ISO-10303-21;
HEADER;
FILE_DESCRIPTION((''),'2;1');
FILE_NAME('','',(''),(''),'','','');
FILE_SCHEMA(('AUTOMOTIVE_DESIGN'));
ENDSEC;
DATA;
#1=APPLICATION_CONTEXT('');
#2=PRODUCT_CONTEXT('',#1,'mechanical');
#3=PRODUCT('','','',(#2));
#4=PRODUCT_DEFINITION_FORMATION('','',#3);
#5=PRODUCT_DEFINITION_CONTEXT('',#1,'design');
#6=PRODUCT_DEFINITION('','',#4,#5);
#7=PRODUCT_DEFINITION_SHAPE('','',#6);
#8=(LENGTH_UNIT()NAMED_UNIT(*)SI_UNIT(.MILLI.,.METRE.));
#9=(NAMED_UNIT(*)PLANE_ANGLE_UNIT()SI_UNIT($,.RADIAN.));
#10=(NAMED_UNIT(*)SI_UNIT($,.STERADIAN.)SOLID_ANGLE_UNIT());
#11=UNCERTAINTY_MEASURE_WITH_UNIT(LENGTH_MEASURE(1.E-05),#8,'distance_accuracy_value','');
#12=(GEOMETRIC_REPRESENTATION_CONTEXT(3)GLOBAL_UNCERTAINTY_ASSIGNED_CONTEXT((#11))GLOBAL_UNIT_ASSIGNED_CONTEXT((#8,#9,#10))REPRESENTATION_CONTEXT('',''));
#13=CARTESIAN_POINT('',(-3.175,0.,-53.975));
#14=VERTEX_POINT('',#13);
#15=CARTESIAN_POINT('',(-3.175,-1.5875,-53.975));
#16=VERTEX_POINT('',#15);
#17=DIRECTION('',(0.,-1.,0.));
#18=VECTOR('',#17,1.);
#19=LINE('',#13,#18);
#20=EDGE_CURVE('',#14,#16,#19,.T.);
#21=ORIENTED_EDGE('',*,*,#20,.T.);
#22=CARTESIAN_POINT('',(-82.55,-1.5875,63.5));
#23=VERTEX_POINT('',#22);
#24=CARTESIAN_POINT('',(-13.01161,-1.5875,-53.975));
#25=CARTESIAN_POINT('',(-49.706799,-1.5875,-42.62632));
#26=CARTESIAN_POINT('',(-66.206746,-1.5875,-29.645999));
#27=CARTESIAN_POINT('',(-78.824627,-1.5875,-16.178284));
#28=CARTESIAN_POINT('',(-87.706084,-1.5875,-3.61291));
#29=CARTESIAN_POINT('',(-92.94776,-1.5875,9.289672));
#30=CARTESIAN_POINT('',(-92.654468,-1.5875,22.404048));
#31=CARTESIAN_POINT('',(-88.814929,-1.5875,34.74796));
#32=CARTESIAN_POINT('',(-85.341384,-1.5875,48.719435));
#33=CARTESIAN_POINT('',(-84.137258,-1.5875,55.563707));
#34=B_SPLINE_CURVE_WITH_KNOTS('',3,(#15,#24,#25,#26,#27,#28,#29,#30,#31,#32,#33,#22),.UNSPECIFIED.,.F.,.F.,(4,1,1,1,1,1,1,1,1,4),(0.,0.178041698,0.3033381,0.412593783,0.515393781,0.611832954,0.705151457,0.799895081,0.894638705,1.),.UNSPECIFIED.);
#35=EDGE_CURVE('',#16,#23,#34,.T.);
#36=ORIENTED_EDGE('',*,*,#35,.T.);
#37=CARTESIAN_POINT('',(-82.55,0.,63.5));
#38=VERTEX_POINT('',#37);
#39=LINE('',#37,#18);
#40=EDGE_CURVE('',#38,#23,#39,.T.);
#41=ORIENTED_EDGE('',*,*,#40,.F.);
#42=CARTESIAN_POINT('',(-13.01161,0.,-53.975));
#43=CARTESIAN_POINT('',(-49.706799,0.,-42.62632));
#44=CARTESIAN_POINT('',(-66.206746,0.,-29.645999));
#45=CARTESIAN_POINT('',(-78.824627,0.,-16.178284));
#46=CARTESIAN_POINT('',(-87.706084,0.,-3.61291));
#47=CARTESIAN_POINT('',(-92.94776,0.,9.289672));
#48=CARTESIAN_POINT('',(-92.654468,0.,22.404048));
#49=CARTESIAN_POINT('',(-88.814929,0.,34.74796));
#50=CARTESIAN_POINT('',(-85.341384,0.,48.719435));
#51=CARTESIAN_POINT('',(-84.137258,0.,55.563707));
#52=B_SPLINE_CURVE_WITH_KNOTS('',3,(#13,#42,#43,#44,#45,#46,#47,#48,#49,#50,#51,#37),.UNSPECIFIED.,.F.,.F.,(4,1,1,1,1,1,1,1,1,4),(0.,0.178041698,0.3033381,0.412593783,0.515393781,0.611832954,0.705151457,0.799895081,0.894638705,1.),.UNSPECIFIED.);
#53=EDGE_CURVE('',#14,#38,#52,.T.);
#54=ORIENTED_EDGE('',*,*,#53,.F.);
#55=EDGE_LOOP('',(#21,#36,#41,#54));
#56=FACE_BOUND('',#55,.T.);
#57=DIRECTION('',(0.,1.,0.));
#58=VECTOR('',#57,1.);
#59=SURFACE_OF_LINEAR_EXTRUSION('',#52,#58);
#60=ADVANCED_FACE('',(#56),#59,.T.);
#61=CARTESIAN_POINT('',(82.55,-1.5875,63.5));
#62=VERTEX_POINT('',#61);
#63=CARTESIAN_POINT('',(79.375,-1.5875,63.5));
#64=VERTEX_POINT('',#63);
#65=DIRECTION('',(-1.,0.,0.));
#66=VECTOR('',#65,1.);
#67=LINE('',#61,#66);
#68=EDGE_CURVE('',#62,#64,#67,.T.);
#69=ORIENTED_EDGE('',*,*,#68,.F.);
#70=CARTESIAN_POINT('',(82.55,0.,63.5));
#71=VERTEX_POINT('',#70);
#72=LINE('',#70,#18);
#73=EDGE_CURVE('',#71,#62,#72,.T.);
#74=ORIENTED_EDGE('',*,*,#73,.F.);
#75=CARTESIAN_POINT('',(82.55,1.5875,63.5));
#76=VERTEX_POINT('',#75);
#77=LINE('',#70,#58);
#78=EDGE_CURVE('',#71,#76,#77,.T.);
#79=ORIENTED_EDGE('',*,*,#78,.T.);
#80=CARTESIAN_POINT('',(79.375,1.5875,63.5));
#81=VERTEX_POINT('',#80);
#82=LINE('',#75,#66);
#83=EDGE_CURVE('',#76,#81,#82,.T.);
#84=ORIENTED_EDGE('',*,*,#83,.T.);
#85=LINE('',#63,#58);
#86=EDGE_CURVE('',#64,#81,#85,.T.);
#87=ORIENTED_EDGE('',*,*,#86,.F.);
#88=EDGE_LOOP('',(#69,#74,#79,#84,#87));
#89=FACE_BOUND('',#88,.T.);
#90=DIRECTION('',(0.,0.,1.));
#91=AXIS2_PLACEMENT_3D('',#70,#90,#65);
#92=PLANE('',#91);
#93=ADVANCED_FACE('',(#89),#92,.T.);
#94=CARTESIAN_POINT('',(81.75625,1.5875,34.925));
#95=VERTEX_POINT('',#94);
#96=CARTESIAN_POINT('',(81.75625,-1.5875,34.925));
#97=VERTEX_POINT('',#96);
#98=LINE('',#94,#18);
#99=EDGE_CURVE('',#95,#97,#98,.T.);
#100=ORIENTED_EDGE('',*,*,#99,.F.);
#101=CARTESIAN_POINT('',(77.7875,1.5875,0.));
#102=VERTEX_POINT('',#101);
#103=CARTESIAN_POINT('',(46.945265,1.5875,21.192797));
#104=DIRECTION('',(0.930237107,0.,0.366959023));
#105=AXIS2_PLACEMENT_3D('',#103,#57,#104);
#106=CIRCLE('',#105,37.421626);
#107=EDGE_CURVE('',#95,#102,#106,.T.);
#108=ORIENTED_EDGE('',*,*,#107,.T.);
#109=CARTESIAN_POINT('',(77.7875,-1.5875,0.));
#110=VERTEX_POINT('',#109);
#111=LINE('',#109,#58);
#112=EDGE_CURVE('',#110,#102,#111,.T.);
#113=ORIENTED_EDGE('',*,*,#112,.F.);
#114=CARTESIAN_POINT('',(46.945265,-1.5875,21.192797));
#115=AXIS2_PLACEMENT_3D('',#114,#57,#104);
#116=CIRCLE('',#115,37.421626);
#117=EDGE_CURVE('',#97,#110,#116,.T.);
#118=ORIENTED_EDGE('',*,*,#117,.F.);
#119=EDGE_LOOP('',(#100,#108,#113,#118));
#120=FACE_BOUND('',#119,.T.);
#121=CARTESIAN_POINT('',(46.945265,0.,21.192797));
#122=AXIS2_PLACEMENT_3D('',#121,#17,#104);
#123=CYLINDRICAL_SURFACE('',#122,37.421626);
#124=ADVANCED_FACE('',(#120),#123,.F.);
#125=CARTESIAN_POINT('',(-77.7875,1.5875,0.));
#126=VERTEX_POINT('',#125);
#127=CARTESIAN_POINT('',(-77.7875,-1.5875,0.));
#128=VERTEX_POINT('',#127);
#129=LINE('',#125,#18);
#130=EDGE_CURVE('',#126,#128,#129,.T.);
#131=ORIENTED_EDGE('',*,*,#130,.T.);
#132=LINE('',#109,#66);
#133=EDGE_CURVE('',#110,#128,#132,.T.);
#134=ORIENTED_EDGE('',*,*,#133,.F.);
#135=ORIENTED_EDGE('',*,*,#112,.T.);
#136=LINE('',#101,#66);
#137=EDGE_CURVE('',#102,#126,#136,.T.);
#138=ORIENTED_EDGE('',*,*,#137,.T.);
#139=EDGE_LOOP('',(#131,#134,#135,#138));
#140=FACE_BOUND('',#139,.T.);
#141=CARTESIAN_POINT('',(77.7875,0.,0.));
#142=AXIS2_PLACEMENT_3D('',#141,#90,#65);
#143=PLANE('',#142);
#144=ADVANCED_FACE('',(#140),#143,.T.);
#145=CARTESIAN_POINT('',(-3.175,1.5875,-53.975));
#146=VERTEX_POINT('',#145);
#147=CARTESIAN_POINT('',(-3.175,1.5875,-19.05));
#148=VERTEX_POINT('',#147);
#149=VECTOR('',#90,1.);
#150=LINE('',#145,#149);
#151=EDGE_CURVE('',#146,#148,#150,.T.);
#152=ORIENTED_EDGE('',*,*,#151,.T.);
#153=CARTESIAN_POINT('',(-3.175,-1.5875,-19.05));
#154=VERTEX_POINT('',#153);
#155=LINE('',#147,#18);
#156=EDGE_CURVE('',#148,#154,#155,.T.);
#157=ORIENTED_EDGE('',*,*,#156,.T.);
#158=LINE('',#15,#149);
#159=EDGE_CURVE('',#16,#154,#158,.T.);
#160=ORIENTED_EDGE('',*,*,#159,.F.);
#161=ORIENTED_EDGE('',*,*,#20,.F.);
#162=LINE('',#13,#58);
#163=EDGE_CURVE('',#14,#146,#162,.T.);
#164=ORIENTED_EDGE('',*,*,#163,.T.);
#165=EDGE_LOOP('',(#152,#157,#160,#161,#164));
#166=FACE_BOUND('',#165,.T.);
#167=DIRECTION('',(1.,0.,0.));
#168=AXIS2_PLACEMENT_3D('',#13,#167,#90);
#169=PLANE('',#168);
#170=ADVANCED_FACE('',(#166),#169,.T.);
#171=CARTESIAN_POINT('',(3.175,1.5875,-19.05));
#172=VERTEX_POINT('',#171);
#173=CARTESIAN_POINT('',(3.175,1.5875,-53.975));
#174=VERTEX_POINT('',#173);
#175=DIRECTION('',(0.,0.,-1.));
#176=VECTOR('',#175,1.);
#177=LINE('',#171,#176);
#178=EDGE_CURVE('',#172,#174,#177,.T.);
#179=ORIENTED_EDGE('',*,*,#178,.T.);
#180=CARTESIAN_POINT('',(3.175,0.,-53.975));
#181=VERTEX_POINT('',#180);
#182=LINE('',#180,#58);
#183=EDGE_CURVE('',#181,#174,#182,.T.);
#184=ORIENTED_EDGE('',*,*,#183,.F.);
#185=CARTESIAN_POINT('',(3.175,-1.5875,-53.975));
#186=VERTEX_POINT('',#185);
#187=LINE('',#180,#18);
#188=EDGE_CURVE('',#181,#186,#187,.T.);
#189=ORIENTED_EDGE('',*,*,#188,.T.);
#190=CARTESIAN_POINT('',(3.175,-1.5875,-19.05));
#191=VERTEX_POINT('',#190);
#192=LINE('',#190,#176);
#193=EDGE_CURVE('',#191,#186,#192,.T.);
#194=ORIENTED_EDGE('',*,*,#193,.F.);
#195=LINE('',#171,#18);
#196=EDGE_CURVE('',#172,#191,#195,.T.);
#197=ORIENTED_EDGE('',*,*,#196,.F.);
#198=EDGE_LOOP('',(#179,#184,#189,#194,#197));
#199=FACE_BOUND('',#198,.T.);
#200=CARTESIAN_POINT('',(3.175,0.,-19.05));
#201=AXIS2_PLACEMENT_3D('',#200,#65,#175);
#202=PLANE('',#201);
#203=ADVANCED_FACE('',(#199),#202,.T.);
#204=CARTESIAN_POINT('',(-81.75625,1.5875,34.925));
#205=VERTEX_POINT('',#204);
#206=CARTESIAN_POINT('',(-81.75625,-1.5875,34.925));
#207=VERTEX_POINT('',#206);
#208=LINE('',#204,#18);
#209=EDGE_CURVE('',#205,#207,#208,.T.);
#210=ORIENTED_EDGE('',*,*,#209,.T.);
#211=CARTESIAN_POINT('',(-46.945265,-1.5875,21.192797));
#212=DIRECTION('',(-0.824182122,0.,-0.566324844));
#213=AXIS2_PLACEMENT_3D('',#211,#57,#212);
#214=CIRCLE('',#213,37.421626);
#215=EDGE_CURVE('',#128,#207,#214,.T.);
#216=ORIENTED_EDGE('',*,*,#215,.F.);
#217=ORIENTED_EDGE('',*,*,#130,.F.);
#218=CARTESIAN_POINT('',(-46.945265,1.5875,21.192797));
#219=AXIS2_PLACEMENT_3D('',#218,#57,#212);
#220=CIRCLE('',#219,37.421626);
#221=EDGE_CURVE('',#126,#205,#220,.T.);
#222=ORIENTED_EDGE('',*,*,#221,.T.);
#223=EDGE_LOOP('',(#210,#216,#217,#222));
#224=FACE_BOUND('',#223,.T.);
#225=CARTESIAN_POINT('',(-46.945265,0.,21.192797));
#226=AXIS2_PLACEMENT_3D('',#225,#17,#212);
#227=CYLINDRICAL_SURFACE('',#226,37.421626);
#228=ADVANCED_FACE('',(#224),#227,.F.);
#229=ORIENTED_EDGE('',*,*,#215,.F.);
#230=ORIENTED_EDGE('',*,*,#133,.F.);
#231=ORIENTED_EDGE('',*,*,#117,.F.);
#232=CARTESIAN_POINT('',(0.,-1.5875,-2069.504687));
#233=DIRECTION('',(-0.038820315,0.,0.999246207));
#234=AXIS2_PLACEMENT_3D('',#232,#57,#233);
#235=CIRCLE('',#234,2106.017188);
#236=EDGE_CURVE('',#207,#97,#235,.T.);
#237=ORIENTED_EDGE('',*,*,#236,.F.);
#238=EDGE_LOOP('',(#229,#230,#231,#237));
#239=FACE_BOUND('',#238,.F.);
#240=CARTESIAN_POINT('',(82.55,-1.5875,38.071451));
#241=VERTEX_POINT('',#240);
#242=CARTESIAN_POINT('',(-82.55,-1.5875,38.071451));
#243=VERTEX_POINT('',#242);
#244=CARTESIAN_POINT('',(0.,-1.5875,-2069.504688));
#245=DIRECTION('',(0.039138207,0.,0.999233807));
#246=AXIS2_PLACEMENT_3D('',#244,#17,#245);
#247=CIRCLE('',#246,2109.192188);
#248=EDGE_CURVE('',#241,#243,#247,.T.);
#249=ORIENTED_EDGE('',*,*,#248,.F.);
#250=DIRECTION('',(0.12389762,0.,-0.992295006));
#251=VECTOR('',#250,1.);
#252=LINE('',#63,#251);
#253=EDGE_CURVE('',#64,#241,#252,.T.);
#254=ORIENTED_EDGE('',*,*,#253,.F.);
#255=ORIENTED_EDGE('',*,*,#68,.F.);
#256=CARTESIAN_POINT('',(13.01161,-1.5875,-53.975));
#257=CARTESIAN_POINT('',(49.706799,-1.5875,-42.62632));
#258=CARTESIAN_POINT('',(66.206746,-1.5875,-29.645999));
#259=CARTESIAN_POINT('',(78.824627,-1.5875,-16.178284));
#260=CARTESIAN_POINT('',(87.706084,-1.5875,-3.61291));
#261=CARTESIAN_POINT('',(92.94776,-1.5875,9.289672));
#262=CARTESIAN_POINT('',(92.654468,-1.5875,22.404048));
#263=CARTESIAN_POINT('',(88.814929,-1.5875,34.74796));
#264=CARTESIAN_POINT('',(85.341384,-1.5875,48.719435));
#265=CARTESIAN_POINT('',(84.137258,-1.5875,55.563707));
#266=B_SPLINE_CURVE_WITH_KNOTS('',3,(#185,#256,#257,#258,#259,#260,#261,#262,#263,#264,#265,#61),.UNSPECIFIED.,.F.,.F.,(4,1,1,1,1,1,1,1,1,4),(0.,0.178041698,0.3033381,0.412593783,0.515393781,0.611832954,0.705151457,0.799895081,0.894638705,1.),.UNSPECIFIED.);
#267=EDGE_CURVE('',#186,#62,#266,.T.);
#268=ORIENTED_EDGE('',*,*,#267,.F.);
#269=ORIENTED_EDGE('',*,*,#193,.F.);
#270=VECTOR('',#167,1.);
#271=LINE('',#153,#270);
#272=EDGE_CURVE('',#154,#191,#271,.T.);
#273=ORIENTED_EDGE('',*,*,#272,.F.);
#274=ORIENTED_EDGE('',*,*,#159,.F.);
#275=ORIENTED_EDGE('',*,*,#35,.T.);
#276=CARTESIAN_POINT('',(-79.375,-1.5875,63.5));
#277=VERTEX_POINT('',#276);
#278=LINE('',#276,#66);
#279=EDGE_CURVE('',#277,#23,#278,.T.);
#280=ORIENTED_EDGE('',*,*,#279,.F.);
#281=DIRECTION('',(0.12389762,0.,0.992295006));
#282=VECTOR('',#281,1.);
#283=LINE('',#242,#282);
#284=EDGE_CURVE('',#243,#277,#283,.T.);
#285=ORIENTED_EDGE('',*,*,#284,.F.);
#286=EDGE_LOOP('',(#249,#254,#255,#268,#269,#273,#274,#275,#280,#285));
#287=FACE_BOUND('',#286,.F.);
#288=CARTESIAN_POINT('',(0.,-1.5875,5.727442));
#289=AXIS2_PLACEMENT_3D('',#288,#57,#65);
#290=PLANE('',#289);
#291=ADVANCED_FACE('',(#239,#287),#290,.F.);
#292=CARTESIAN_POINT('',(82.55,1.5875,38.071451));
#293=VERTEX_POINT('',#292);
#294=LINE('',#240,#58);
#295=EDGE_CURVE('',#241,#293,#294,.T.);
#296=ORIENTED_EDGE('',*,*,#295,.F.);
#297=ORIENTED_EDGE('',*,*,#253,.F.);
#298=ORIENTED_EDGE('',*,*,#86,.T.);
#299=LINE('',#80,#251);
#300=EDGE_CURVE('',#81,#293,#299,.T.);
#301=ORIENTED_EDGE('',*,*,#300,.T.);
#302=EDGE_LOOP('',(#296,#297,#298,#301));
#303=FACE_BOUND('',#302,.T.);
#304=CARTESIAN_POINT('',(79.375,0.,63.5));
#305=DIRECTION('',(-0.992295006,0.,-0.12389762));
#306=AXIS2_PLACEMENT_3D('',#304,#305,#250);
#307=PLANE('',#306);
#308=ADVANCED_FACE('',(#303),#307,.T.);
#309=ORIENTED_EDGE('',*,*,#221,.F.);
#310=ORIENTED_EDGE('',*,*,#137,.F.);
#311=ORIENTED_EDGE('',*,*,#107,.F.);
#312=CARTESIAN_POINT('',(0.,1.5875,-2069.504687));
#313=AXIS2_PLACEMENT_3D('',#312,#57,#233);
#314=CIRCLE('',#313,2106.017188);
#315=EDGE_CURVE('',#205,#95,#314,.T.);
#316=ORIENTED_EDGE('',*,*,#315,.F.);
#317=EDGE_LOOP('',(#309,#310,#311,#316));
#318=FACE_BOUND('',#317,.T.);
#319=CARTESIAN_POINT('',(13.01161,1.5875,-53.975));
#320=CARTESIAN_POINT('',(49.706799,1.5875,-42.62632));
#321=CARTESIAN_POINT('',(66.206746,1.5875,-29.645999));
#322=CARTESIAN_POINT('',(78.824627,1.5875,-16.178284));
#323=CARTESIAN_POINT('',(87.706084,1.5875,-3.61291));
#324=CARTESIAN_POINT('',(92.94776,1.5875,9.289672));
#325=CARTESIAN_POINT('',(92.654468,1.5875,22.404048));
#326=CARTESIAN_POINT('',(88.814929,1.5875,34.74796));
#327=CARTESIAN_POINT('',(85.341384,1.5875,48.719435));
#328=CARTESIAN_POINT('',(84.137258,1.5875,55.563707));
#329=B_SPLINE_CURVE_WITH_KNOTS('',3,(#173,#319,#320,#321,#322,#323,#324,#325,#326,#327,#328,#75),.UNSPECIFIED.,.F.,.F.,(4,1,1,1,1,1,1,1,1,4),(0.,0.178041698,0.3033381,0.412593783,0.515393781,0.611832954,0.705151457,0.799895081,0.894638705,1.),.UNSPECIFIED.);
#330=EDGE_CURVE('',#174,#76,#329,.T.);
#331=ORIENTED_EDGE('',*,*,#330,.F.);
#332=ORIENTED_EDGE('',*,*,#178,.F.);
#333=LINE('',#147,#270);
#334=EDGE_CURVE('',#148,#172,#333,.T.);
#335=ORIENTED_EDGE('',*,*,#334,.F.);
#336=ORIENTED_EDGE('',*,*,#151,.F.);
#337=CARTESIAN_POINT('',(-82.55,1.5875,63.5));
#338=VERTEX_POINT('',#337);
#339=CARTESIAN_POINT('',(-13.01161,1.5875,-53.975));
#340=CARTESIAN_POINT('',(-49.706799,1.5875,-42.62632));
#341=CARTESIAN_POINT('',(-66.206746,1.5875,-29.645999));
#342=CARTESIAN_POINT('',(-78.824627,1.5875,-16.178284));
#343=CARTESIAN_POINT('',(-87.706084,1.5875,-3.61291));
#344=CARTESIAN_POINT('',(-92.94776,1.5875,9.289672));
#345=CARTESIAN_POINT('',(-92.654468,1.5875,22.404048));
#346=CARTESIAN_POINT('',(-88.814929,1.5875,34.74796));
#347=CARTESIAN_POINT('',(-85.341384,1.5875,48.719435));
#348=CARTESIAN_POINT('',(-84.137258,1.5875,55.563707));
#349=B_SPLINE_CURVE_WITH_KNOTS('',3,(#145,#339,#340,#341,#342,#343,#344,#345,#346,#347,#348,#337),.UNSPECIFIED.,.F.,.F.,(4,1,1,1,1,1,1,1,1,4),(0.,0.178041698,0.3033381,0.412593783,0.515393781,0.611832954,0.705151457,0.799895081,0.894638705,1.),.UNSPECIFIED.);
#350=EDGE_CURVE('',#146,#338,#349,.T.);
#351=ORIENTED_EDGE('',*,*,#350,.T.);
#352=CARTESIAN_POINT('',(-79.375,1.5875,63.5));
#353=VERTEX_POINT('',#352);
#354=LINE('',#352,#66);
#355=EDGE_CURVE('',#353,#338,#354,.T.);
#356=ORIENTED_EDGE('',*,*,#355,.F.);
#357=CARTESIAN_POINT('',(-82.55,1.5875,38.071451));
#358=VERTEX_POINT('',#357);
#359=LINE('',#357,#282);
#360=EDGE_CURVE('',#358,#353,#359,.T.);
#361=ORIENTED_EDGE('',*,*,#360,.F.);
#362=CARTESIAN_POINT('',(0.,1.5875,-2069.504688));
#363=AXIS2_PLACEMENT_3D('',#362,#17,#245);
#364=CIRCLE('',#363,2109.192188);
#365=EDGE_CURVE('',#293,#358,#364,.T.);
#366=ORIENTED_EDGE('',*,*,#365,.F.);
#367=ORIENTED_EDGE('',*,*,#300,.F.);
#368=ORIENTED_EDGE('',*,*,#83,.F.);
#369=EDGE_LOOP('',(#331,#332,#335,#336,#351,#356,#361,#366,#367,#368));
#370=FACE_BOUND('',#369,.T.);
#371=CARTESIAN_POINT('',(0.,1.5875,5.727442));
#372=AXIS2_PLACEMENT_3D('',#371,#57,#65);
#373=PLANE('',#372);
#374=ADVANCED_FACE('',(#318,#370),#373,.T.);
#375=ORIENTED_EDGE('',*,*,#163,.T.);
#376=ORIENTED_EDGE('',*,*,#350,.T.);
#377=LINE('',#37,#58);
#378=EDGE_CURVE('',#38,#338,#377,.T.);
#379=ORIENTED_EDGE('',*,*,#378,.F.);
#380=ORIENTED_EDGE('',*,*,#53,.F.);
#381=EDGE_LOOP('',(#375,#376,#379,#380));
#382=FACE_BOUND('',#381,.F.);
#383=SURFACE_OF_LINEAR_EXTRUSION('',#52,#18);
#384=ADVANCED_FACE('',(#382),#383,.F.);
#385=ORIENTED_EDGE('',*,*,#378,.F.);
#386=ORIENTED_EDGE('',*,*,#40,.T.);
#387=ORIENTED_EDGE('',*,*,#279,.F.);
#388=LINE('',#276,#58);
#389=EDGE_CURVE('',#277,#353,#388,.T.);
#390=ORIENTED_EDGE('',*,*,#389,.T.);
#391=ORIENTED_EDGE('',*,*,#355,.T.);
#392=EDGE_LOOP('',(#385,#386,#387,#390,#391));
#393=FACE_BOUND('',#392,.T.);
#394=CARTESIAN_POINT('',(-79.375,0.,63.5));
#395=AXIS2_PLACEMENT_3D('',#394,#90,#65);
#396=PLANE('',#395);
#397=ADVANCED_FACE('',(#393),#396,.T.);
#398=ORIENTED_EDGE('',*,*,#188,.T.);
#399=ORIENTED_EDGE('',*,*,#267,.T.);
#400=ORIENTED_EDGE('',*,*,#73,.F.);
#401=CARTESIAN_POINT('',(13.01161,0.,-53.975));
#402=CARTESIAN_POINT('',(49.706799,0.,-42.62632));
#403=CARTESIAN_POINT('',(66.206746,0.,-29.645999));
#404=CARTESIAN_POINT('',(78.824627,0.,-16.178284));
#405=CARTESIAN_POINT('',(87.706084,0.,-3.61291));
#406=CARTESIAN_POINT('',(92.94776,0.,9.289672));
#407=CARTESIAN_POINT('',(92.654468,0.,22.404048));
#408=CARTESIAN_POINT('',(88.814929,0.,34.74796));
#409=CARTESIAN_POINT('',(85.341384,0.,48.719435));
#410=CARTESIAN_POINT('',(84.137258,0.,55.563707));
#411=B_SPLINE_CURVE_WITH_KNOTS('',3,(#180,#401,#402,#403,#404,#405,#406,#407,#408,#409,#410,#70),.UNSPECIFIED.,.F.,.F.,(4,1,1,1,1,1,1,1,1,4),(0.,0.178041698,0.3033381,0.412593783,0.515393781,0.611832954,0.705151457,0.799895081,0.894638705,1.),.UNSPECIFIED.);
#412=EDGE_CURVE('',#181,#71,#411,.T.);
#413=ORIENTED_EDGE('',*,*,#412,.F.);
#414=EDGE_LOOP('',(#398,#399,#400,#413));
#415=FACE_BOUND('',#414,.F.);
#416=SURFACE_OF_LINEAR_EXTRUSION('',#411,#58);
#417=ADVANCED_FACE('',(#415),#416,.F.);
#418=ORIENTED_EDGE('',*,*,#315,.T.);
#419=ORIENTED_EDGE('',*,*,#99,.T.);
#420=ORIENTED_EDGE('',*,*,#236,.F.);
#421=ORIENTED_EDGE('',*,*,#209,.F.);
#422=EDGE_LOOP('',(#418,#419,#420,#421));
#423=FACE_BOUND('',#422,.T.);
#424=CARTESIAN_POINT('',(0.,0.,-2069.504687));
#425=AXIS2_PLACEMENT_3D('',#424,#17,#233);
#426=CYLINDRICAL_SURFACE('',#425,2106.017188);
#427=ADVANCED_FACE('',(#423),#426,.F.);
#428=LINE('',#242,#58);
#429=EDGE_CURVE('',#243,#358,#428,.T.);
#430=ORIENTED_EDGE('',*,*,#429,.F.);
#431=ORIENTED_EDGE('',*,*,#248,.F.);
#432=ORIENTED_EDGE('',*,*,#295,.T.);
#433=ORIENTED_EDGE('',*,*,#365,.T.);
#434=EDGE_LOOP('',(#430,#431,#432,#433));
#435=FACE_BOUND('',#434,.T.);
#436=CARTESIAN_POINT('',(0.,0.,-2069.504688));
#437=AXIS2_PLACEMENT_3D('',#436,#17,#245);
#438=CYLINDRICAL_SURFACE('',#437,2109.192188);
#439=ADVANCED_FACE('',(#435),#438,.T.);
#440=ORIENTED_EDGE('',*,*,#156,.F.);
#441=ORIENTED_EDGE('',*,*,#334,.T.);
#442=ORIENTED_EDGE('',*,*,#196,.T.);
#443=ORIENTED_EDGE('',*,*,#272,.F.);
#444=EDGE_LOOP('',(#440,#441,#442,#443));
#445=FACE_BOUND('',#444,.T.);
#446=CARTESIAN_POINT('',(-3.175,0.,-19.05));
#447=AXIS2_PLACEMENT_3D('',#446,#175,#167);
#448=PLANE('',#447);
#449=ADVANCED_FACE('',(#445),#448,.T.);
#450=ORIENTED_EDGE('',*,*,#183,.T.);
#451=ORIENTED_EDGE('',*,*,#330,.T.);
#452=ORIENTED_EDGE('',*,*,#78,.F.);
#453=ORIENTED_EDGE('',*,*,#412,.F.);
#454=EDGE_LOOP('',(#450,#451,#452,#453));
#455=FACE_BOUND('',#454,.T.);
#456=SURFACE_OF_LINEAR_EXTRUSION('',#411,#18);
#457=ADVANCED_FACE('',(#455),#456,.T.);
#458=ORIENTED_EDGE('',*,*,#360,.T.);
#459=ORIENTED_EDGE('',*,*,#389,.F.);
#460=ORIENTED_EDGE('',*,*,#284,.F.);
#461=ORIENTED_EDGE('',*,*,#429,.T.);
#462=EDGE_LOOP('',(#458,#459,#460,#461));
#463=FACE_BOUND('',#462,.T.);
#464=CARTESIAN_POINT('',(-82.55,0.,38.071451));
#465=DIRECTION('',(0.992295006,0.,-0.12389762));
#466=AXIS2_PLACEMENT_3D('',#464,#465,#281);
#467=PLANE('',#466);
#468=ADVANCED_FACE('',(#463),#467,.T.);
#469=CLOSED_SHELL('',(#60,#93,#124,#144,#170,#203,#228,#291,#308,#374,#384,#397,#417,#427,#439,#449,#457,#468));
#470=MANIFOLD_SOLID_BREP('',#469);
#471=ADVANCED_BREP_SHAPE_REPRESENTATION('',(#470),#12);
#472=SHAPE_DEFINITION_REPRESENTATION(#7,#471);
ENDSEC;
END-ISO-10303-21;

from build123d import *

# Parameters (mm, degrees)
F1_DEPTH = 1.5875


with BuildPart() as f1:
    # F0 (on Front) → F1 (new body, symmetric)
    with BuildSketch(Plane.XZ):
        with BuildLine():
            add(Edge.make_bspline(
                [(-3.175, -53.975), (-13.0116101055, -53.975), (-49.7067985219, -42.626319898), (-66.2067456609, -29.6459992922), (-78.8246268398, -16.1782839927), (-87.7060844154, -3.6129103076), (-92.94775985, 9.2896723873), (-92.6544676036, 22.4040483009), (-88.8149289504, 34.7479602908), (-85.3413838731, 48.7194354035), (-84.1372580078, 55.5637073987), (-82.55, 63.5)],
                knots=[0, 0, 0, 0, 0.1780416984, 0.3033381001, 0.4125937832, 0.5153937809, 0.6118329545, 0.7051514566, 0.7998950808, 0.8946387049, 1, 1, 1, 1], degree=3))
            Line((-3.175, -53.975), (-3.175, -19.05))
            Line((-3.175, -19.05), (0, -19.05))
            Line((0, -19.05), (3.175, -19.05))
            Line((3.175, -19.05), (3.175, -53.975))
            add(Edge.make_bspline(
                [(3.175, -53.975), (13.0116101055, -53.975), (49.7067985219, -42.626319898), (66.2067456609, -29.6459992922), (78.8246268398, -16.1782839927), (87.7060844154, -3.6129103076), (92.94775985, 9.2896723873), (92.6544676036, 22.4040483009), (88.8149289504, 34.7479602908), (85.3413838731, 48.7194354035), (84.1372580078, 55.5637073987), (82.55, 63.5)],
                knots=[0, 0, 0, 0, 0.1780416984, 0.3033381001, 0.4125937832, 0.5153937809, 0.6118329545, 0.7051514566, 0.7998950808, 0.8946387049, 1, 1, 1, 1], degree=3))
            Line((82.55, 63.5), (79.375, 63.5))
            Line((79.375, 63.5), (82.55, 38.071451412))
            ThreePointArc((82.55, 38.071451412), (0, 39.6875), (-82.55, 38.071451412))
            Line((-82.55, 38.071451412), (-79.375, 63.5))
            Line((-79.375, 63.5), (-82.55, 63.5))
        make_face()
        with BuildLine():
            Line((77.7875, 0), (0, 0))
            Line((0, 0), (-77.7875, 0))
            ThreePointArc((-77.7875, 0), (-84.1275891335, 16.9675324848), (-81.75625, 34.925))
            ThreePointArc((-81.75625, 34.925), (0, 36.5125), (81.75625, 34.925))
            ThreePointArc((81.75625, 34.925), (84.1275891335, 16.9675324848), (77.7875, 0))
        make_face(mode=Mode.SUBTRACT)
    extrude(amount=F1_DEPTH, both=True)


solid = f1.part
